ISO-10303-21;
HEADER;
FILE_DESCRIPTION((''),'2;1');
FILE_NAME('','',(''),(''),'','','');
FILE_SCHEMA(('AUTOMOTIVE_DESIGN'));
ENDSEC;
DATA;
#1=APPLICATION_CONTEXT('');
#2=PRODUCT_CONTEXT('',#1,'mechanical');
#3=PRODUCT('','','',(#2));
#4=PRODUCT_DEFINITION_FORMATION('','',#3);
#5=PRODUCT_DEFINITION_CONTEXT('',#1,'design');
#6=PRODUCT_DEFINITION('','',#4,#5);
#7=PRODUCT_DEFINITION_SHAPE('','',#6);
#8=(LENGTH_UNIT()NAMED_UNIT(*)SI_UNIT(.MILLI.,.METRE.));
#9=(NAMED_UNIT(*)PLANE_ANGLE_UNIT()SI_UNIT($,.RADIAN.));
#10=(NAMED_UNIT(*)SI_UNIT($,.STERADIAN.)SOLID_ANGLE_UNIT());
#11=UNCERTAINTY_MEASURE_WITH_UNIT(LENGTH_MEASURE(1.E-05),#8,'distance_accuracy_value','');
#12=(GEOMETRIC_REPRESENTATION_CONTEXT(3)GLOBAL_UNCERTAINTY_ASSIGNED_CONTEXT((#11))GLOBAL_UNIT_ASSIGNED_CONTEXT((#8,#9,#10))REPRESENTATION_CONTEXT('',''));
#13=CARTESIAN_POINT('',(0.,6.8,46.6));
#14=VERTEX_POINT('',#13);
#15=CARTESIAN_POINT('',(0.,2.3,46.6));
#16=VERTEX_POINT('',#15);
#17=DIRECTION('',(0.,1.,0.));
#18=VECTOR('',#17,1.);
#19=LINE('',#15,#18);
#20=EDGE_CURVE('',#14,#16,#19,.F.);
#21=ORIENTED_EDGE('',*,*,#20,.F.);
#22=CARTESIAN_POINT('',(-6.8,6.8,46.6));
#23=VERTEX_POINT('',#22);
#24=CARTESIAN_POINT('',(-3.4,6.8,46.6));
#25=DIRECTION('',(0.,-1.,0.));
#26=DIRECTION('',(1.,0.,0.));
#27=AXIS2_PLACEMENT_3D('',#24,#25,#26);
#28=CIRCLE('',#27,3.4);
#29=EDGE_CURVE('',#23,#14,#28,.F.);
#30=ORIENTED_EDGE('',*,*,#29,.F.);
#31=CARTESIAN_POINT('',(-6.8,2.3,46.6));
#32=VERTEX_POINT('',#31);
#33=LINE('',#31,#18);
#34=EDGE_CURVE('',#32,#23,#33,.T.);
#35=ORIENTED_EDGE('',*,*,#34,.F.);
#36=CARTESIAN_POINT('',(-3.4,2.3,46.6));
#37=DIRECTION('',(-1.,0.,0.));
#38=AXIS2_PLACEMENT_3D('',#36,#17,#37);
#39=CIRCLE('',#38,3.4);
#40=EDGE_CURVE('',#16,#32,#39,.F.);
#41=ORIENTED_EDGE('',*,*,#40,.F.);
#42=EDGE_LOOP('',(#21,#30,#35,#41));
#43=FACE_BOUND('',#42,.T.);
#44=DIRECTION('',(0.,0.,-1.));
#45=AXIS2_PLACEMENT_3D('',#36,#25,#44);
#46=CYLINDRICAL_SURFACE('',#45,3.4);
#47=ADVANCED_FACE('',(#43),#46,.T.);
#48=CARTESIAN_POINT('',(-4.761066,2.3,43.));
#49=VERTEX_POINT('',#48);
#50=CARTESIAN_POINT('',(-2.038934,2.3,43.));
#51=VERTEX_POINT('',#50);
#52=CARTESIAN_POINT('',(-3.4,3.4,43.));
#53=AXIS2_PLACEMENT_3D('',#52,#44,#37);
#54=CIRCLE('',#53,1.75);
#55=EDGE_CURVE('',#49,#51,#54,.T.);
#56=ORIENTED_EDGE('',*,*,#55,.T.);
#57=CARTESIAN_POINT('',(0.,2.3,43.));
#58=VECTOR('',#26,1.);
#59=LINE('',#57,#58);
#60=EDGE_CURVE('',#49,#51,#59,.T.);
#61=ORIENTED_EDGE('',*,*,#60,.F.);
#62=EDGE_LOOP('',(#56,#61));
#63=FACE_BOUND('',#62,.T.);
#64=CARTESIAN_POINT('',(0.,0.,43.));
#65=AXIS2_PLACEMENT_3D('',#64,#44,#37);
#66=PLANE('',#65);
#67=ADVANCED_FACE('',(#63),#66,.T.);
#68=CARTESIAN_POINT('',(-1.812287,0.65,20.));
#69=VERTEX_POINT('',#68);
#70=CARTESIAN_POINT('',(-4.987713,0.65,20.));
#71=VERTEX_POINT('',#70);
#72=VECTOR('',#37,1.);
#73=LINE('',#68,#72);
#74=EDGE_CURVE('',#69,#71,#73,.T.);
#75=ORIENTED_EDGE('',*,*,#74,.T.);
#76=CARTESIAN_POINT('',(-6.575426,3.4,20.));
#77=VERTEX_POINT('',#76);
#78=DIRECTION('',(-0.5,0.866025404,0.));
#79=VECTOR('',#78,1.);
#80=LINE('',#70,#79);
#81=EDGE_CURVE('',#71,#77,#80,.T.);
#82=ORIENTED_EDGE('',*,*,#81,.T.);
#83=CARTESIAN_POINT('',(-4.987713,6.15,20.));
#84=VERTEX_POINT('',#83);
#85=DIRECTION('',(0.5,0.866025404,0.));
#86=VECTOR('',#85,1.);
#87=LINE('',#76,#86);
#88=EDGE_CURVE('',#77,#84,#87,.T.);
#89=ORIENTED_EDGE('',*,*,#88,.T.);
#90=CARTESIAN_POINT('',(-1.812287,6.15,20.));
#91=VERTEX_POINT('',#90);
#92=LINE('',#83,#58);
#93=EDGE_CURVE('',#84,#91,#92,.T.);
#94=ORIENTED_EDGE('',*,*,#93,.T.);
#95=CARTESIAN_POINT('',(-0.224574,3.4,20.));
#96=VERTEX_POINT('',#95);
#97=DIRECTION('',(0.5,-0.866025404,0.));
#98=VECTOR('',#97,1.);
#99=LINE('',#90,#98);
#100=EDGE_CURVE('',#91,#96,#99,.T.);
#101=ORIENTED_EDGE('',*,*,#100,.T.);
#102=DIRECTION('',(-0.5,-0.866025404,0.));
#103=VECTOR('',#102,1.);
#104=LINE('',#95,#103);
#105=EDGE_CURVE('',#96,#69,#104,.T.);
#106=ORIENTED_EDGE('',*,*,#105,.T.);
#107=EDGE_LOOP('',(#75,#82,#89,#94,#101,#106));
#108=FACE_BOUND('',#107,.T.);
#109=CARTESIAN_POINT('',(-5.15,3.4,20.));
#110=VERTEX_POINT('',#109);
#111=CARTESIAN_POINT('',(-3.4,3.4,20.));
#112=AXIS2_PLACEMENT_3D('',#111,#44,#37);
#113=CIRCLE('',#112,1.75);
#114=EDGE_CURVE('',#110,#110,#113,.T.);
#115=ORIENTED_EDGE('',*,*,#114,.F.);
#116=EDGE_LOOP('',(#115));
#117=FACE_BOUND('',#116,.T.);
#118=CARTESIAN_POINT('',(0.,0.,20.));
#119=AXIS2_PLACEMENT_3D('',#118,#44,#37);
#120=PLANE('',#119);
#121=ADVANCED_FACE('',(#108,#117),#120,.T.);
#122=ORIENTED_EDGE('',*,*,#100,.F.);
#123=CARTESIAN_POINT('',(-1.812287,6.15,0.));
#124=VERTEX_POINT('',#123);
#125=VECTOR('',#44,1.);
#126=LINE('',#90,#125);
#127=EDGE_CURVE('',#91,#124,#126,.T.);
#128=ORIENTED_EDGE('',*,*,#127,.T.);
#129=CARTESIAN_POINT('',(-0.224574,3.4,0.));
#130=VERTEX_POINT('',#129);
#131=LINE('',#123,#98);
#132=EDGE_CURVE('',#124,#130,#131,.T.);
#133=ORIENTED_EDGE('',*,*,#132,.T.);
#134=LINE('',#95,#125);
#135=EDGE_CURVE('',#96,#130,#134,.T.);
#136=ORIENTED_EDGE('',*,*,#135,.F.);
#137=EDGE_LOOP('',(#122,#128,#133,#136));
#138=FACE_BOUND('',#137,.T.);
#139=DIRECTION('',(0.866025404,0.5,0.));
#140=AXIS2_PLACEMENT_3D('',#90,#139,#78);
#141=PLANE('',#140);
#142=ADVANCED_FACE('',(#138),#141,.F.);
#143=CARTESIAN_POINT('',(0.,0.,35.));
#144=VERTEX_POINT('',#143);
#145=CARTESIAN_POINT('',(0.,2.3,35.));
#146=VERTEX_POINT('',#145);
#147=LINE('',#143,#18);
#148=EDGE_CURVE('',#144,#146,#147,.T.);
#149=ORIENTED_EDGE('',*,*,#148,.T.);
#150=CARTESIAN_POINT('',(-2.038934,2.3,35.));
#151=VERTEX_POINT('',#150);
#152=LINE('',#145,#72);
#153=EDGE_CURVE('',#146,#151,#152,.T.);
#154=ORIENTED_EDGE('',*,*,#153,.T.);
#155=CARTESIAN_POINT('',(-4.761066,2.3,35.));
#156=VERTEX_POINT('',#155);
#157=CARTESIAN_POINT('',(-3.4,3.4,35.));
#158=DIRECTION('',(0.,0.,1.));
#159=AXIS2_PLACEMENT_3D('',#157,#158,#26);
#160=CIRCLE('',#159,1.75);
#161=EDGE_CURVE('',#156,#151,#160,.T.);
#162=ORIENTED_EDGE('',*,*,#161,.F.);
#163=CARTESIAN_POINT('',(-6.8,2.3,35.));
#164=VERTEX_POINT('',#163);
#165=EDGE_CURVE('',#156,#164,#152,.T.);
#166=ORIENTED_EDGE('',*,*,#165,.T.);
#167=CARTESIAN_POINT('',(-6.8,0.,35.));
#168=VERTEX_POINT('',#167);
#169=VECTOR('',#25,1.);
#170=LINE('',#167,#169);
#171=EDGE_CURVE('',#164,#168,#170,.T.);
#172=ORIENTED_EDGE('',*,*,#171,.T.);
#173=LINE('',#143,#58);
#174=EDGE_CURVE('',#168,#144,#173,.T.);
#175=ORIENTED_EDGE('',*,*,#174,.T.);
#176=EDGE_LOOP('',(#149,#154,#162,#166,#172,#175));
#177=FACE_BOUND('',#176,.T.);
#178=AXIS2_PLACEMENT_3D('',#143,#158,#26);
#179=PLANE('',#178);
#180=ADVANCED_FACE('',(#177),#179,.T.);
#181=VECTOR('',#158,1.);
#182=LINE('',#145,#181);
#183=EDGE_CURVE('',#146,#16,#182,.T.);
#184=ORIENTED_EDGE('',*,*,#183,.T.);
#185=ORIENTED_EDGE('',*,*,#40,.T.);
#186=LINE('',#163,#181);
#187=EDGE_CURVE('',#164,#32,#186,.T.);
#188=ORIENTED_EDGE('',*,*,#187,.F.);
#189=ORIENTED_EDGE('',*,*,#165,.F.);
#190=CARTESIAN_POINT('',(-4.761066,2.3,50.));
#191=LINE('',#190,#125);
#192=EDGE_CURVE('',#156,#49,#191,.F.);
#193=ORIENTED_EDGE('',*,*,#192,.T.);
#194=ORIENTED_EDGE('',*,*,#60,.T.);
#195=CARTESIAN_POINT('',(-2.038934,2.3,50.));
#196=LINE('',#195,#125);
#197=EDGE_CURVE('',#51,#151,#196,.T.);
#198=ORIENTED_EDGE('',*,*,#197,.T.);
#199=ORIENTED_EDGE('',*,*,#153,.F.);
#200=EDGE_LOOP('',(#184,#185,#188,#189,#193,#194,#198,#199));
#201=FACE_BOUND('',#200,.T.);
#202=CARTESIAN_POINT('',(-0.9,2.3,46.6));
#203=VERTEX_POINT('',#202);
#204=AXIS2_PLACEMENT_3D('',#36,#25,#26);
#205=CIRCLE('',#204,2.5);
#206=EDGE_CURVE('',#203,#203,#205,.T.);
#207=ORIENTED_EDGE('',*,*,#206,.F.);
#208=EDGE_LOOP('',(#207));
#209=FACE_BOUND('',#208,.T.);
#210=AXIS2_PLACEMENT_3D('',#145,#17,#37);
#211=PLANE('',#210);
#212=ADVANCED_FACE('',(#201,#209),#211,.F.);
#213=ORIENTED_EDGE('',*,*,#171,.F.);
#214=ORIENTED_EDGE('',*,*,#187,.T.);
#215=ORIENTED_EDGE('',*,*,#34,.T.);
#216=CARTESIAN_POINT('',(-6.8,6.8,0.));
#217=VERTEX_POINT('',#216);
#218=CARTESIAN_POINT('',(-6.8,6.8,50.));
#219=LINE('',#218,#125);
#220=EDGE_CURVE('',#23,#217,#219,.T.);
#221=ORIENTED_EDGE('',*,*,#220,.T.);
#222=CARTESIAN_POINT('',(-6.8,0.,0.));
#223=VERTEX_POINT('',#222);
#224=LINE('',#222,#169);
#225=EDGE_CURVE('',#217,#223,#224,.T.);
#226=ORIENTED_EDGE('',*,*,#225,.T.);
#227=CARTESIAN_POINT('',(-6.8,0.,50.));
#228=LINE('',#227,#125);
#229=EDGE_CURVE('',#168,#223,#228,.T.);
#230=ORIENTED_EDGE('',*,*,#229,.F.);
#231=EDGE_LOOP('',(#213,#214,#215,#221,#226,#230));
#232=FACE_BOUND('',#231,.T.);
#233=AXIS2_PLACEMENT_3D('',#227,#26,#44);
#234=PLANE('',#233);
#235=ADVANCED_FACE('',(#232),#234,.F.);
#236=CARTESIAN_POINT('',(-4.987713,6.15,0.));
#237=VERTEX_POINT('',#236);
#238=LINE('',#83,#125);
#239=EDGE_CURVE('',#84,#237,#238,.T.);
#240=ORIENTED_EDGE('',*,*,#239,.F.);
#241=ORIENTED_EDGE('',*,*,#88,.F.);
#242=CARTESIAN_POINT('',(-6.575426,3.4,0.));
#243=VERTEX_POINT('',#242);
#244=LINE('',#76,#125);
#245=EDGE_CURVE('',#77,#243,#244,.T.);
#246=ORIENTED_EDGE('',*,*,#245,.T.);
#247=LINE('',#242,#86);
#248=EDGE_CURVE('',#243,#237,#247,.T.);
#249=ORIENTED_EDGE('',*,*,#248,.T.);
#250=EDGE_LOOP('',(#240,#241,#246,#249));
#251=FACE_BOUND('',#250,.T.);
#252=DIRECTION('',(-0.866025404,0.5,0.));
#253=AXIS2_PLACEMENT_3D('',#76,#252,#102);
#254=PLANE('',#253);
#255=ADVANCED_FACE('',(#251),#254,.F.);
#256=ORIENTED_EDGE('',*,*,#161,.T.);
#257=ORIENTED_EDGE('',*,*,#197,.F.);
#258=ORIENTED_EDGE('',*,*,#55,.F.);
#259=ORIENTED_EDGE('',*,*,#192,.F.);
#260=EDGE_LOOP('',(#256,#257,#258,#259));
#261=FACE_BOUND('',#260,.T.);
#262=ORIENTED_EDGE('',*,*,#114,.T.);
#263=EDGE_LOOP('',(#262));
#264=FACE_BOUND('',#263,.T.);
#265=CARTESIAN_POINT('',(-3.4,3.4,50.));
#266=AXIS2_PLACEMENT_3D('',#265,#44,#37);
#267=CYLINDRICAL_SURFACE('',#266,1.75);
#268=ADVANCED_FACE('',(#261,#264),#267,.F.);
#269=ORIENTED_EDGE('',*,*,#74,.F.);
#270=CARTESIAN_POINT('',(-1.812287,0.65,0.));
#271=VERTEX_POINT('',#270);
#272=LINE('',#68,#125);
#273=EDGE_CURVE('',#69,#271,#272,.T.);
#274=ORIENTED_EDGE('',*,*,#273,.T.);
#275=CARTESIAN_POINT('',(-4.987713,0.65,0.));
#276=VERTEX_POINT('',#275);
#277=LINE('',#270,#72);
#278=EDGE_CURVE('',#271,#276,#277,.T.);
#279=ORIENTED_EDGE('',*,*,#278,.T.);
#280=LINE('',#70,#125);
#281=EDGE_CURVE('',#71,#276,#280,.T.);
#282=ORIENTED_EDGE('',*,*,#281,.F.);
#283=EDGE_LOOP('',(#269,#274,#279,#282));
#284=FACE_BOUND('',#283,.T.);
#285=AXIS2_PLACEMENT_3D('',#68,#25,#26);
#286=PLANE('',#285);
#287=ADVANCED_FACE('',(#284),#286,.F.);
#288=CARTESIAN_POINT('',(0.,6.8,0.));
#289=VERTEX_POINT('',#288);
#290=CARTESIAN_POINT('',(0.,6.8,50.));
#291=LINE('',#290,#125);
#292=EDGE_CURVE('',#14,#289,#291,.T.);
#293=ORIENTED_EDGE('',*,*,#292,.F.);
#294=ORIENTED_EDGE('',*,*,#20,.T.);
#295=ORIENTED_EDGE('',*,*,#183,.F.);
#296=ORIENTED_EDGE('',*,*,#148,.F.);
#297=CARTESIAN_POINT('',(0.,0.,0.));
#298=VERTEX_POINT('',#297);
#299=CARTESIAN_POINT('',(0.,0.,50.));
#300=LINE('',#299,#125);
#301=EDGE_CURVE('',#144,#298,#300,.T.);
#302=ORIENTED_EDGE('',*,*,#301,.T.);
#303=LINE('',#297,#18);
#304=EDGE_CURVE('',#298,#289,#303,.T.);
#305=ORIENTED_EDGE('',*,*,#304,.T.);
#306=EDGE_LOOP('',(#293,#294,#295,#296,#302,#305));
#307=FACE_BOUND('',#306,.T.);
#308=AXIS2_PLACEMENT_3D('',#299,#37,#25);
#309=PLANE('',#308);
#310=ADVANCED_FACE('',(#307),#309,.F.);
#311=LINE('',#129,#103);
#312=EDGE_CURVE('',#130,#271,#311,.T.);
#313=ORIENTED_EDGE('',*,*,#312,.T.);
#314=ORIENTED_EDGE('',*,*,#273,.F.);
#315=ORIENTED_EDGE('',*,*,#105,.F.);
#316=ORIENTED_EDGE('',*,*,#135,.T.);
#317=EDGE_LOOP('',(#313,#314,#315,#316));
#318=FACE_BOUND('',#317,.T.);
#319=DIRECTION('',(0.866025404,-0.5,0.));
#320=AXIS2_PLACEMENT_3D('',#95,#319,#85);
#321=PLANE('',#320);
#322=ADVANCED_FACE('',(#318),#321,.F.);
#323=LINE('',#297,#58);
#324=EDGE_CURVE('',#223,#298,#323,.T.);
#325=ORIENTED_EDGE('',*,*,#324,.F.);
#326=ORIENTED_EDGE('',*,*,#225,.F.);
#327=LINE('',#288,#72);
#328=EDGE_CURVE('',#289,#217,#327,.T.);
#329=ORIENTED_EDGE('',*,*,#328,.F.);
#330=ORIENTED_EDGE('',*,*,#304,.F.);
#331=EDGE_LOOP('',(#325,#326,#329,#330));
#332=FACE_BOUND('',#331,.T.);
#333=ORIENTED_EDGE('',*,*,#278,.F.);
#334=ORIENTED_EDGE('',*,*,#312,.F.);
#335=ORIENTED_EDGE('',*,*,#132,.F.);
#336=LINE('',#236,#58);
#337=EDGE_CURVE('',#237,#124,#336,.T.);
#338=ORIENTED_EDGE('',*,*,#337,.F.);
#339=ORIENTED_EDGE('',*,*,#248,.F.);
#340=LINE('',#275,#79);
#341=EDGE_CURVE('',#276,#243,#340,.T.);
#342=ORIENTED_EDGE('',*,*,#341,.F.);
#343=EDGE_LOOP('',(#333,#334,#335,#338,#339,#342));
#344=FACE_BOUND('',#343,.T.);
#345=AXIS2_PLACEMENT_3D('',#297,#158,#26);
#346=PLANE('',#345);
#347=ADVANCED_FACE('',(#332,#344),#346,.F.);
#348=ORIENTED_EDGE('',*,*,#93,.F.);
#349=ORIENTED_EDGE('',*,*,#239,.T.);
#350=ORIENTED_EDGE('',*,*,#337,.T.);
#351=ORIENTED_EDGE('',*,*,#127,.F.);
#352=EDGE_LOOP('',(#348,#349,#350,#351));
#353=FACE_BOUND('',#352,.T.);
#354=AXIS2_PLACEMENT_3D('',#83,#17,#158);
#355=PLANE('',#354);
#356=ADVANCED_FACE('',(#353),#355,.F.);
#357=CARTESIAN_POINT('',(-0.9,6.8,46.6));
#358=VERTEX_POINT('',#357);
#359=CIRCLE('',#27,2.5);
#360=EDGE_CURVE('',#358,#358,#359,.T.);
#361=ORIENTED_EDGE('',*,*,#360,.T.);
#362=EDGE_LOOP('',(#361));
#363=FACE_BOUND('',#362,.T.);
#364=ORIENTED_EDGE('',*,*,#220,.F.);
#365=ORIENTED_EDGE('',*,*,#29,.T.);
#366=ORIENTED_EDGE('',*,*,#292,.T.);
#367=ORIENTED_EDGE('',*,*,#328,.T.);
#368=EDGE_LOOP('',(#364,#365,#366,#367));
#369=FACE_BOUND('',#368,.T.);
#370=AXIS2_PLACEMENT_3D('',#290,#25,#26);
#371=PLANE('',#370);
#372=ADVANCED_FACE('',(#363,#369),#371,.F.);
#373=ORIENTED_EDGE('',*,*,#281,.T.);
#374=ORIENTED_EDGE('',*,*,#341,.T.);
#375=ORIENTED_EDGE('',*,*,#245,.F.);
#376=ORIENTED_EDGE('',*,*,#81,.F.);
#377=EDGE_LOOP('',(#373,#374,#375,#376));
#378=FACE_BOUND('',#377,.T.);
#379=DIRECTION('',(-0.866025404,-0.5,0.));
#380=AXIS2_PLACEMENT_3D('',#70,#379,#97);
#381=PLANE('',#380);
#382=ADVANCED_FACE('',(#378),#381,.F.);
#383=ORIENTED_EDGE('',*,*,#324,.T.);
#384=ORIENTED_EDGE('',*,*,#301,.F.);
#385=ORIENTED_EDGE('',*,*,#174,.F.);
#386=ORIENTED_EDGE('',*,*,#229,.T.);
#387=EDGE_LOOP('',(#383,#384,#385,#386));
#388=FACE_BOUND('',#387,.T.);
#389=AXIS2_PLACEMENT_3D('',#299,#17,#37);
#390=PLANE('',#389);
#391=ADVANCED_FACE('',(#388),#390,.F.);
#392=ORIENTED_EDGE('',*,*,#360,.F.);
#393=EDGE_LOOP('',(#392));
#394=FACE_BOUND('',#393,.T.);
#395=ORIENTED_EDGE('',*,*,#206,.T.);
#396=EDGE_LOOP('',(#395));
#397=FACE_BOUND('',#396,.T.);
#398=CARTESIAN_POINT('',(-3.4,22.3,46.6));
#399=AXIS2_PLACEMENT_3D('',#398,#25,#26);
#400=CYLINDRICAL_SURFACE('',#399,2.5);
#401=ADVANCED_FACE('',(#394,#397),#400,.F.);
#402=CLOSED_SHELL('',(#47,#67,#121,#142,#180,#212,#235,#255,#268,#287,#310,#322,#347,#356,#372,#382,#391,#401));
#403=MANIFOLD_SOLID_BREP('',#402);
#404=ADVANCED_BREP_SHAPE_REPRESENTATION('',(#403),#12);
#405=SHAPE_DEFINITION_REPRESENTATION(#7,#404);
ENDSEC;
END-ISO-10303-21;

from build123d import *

# Parameters (mm, degrees)
SKETCH1_W           = 6.8
SKETCH1_H           = 6.8
SKETCH1_R           = 1.75
BOSS_EXTRUDE1_DEPTH = 50
CUT_EXTRUDE1_DEPTH  = 20
SKETCH5_W           = 6.8
SKETCH5_H           = 6.8
BOSS_EXTRUDE2_DEPTH = 7
SKETCH3_W           = 6.8
SKETCH3_H           = 2.3
CUT_EXTRUDE2_DEPTH  = 15
SKETCH4_R           = 2.5
CUT_EXTRUDE3_DEPTH  = 20
FILLET3_RADIUS      = 3.4
FILLET3_LENGTH      = 4.5


with BuildPart() as part:
    # Sketch1 → Boss-Extrude1 (new body)
    with BuildSketch(Plane.XY):
        with Locations((-3.4, 3.4)):
            Rectangle(SKETCH1_W, SKETCH1_H)
        with Locations((-3.4, 3.4)):
            Circle(SKETCH1_R, mode=Mode.SUBTRACT)
    extrude(amount=BOSS_EXTRUDE1_DEPTH)

    # Sketch2 → Cut-Extrude1 (cut)
    with BuildSketch(Plane(origin=(0, 0, 0), x_dir=(-1, 0, 0), z_dir=(0, 0, -1))):
        Polygon((6.575426481, 3.4), (4.98771324, 6.15), (1.81228676, 6.15), (0.224573519, 3.4), (1.81228676, 0.65), (4.98771324, 0.65), align=None)
    extrude(amount=-CUT_EXTRUDE1_DEPTH, mode=Mode.SUBTRACT)

    # Sketch5 → Boss-Extrude2 (add)
    with BuildSketch(Plane.XY.offset(50)):
        with Locations((-3.4, 3.4)):
            Rectangle(SKETCH5_W, SKETCH5_H)
    extrude(amount=-BOSS_EXTRUDE2_DEPTH)

    # Sketch3 → Cut-Extrude2 (cut)
    with BuildSketch(Plane.XY.offset(50)):
        with Locations((-3.4, 1.15)):
            Rectangle(SKETCH3_W, SKETCH3_H)
    extrude(amount=-CUT_EXTRUDE2_DEPTH, mode=Mode.SUBTRACT)

    # Sketch4 → Cut-Extrude3 (cut)
    with BuildSketch(Plane.XZ.offset(-2.3)):
        with Locations((-3.4, 46.6)):
            Circle(SKETCH4_R)
    extrude(amount=-CUT_EXTRUDE3_DEPTH, mode=Mode.SUBTRACT)

    # Fillet3: full round fillet: the end face becomes a half cylinder, R = half its width
    fillet3_face = Plane((-3.4, 4.55, 50), x_dir=(0, -1, 0), z_dir=(0, 0, 1))  # on the end face: x along it, z out of the body
    fillet3_slab = fillet3_face.offset(-FILLET3_RADIUS / 2) * Box(FILLET3_LENGTH, 2 * FILLET3_RADIUS, FILLET3_RADIUS, mode=Mode.PRIVATE)  # the body's end, R deep
    fillet3_round = Plane((-3.4, 4.55, 46.6), x_dir=(0, 0, 1), z_dir=(0, -1, 0)) * Cylinder(FILLET3_RADIUS, FILLET3_LENGTH, mode=Mode.PRIVATE)  # its axis R under the face
    add(fillet3_slab - fillet3_round, mode=Mode.SUBTRACT)


solid = part.part
